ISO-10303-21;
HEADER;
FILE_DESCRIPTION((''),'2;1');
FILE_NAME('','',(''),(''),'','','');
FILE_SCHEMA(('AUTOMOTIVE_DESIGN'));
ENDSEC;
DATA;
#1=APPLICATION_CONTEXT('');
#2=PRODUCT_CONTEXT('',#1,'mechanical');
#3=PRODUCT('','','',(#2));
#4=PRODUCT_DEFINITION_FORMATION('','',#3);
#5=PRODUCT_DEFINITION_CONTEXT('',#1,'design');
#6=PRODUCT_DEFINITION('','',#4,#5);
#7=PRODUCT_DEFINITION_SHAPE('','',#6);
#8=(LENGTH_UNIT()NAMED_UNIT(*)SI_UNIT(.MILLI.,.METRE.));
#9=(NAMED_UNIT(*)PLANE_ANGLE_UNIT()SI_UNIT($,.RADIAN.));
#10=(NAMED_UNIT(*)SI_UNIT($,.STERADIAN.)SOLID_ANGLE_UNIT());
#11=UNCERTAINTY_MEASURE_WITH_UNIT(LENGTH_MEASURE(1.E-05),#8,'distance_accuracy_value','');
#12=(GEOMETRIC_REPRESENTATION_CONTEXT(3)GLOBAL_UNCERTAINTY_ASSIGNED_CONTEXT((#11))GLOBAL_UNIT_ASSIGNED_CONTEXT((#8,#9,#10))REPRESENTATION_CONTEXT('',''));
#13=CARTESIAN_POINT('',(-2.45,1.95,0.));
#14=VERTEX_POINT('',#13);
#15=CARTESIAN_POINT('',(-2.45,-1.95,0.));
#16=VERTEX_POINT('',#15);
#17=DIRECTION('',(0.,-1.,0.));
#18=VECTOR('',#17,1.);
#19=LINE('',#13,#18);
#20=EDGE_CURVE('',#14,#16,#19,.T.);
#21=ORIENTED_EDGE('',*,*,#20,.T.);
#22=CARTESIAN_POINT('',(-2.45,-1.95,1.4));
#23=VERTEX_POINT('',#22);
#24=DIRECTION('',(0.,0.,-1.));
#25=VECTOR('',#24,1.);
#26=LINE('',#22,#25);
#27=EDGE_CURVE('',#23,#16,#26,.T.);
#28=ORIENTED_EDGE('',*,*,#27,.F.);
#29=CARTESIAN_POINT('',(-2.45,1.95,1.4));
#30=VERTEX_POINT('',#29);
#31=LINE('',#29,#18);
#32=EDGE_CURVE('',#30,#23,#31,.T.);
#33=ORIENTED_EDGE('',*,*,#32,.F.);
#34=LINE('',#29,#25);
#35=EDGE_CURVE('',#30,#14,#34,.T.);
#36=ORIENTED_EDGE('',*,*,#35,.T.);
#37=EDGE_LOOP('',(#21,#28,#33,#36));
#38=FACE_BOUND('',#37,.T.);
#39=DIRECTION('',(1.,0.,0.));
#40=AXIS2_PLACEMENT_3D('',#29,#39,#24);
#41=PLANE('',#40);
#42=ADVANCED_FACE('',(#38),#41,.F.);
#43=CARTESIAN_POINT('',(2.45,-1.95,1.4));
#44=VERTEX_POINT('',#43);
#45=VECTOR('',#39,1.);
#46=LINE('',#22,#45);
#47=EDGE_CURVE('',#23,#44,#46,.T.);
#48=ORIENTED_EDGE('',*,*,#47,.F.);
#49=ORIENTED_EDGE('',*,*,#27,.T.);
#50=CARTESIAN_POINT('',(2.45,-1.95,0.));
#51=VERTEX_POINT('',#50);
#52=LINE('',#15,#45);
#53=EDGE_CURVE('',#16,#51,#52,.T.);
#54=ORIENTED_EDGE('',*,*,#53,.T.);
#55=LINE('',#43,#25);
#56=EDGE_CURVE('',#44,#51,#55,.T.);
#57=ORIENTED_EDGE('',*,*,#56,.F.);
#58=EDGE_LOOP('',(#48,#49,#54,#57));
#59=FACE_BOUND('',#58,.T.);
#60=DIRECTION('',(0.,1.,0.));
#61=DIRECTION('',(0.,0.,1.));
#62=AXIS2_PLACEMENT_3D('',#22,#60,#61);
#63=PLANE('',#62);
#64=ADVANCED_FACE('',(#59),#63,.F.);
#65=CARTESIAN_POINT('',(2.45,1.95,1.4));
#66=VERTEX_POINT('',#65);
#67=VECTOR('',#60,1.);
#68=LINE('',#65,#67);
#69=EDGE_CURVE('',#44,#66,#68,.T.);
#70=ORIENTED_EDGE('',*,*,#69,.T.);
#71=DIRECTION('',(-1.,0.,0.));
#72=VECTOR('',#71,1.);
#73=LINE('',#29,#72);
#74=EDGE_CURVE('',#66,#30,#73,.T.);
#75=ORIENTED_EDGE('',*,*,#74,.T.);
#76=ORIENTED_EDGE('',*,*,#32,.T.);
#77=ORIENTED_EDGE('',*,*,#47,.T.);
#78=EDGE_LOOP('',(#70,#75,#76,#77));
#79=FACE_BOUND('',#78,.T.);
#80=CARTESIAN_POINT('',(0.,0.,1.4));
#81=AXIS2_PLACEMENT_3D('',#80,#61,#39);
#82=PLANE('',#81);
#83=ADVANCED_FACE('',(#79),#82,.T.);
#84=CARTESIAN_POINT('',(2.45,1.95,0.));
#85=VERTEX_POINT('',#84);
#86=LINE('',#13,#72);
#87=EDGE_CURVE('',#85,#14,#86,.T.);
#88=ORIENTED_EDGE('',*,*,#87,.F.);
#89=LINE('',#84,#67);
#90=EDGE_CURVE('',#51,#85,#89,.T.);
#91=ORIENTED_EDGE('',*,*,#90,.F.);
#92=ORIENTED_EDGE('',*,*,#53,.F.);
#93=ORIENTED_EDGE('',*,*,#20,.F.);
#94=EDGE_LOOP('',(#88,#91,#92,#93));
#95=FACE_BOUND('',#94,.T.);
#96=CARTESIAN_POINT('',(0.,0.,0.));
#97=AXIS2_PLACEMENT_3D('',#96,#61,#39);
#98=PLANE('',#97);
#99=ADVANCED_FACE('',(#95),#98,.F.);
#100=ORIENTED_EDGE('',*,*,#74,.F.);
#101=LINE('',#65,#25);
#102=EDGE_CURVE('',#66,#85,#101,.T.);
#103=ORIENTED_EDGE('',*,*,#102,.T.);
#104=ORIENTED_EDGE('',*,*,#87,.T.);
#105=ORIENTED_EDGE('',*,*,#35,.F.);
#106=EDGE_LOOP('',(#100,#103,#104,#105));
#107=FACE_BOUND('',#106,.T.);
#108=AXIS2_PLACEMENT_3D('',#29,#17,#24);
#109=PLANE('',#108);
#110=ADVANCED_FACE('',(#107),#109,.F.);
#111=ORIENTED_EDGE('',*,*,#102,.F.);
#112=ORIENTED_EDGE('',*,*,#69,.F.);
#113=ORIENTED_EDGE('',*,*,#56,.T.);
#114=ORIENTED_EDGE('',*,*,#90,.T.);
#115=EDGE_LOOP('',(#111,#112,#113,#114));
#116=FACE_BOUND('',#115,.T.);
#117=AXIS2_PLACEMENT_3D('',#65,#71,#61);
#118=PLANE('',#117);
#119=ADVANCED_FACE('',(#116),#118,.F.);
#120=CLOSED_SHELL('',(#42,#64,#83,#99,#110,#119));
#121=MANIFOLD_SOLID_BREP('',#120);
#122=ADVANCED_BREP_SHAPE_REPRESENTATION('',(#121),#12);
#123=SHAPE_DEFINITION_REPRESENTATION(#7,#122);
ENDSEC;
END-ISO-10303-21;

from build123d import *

# Parameters (mm, degrees)
BODY_W              = 4.9
BODY_H              = 3.9
BOSS_EXTRUDE1_DEPTH = 1.4


with BuildPart() as part:
    # Body → Boss-Extrude1 (new body)
    with BuildSketch(Plane.XY):
        Rectangle(BODY_W, BODY_H)
    extrude(amount=BOSS_EXTRUDE1_DEPTH)


solid = part.part
